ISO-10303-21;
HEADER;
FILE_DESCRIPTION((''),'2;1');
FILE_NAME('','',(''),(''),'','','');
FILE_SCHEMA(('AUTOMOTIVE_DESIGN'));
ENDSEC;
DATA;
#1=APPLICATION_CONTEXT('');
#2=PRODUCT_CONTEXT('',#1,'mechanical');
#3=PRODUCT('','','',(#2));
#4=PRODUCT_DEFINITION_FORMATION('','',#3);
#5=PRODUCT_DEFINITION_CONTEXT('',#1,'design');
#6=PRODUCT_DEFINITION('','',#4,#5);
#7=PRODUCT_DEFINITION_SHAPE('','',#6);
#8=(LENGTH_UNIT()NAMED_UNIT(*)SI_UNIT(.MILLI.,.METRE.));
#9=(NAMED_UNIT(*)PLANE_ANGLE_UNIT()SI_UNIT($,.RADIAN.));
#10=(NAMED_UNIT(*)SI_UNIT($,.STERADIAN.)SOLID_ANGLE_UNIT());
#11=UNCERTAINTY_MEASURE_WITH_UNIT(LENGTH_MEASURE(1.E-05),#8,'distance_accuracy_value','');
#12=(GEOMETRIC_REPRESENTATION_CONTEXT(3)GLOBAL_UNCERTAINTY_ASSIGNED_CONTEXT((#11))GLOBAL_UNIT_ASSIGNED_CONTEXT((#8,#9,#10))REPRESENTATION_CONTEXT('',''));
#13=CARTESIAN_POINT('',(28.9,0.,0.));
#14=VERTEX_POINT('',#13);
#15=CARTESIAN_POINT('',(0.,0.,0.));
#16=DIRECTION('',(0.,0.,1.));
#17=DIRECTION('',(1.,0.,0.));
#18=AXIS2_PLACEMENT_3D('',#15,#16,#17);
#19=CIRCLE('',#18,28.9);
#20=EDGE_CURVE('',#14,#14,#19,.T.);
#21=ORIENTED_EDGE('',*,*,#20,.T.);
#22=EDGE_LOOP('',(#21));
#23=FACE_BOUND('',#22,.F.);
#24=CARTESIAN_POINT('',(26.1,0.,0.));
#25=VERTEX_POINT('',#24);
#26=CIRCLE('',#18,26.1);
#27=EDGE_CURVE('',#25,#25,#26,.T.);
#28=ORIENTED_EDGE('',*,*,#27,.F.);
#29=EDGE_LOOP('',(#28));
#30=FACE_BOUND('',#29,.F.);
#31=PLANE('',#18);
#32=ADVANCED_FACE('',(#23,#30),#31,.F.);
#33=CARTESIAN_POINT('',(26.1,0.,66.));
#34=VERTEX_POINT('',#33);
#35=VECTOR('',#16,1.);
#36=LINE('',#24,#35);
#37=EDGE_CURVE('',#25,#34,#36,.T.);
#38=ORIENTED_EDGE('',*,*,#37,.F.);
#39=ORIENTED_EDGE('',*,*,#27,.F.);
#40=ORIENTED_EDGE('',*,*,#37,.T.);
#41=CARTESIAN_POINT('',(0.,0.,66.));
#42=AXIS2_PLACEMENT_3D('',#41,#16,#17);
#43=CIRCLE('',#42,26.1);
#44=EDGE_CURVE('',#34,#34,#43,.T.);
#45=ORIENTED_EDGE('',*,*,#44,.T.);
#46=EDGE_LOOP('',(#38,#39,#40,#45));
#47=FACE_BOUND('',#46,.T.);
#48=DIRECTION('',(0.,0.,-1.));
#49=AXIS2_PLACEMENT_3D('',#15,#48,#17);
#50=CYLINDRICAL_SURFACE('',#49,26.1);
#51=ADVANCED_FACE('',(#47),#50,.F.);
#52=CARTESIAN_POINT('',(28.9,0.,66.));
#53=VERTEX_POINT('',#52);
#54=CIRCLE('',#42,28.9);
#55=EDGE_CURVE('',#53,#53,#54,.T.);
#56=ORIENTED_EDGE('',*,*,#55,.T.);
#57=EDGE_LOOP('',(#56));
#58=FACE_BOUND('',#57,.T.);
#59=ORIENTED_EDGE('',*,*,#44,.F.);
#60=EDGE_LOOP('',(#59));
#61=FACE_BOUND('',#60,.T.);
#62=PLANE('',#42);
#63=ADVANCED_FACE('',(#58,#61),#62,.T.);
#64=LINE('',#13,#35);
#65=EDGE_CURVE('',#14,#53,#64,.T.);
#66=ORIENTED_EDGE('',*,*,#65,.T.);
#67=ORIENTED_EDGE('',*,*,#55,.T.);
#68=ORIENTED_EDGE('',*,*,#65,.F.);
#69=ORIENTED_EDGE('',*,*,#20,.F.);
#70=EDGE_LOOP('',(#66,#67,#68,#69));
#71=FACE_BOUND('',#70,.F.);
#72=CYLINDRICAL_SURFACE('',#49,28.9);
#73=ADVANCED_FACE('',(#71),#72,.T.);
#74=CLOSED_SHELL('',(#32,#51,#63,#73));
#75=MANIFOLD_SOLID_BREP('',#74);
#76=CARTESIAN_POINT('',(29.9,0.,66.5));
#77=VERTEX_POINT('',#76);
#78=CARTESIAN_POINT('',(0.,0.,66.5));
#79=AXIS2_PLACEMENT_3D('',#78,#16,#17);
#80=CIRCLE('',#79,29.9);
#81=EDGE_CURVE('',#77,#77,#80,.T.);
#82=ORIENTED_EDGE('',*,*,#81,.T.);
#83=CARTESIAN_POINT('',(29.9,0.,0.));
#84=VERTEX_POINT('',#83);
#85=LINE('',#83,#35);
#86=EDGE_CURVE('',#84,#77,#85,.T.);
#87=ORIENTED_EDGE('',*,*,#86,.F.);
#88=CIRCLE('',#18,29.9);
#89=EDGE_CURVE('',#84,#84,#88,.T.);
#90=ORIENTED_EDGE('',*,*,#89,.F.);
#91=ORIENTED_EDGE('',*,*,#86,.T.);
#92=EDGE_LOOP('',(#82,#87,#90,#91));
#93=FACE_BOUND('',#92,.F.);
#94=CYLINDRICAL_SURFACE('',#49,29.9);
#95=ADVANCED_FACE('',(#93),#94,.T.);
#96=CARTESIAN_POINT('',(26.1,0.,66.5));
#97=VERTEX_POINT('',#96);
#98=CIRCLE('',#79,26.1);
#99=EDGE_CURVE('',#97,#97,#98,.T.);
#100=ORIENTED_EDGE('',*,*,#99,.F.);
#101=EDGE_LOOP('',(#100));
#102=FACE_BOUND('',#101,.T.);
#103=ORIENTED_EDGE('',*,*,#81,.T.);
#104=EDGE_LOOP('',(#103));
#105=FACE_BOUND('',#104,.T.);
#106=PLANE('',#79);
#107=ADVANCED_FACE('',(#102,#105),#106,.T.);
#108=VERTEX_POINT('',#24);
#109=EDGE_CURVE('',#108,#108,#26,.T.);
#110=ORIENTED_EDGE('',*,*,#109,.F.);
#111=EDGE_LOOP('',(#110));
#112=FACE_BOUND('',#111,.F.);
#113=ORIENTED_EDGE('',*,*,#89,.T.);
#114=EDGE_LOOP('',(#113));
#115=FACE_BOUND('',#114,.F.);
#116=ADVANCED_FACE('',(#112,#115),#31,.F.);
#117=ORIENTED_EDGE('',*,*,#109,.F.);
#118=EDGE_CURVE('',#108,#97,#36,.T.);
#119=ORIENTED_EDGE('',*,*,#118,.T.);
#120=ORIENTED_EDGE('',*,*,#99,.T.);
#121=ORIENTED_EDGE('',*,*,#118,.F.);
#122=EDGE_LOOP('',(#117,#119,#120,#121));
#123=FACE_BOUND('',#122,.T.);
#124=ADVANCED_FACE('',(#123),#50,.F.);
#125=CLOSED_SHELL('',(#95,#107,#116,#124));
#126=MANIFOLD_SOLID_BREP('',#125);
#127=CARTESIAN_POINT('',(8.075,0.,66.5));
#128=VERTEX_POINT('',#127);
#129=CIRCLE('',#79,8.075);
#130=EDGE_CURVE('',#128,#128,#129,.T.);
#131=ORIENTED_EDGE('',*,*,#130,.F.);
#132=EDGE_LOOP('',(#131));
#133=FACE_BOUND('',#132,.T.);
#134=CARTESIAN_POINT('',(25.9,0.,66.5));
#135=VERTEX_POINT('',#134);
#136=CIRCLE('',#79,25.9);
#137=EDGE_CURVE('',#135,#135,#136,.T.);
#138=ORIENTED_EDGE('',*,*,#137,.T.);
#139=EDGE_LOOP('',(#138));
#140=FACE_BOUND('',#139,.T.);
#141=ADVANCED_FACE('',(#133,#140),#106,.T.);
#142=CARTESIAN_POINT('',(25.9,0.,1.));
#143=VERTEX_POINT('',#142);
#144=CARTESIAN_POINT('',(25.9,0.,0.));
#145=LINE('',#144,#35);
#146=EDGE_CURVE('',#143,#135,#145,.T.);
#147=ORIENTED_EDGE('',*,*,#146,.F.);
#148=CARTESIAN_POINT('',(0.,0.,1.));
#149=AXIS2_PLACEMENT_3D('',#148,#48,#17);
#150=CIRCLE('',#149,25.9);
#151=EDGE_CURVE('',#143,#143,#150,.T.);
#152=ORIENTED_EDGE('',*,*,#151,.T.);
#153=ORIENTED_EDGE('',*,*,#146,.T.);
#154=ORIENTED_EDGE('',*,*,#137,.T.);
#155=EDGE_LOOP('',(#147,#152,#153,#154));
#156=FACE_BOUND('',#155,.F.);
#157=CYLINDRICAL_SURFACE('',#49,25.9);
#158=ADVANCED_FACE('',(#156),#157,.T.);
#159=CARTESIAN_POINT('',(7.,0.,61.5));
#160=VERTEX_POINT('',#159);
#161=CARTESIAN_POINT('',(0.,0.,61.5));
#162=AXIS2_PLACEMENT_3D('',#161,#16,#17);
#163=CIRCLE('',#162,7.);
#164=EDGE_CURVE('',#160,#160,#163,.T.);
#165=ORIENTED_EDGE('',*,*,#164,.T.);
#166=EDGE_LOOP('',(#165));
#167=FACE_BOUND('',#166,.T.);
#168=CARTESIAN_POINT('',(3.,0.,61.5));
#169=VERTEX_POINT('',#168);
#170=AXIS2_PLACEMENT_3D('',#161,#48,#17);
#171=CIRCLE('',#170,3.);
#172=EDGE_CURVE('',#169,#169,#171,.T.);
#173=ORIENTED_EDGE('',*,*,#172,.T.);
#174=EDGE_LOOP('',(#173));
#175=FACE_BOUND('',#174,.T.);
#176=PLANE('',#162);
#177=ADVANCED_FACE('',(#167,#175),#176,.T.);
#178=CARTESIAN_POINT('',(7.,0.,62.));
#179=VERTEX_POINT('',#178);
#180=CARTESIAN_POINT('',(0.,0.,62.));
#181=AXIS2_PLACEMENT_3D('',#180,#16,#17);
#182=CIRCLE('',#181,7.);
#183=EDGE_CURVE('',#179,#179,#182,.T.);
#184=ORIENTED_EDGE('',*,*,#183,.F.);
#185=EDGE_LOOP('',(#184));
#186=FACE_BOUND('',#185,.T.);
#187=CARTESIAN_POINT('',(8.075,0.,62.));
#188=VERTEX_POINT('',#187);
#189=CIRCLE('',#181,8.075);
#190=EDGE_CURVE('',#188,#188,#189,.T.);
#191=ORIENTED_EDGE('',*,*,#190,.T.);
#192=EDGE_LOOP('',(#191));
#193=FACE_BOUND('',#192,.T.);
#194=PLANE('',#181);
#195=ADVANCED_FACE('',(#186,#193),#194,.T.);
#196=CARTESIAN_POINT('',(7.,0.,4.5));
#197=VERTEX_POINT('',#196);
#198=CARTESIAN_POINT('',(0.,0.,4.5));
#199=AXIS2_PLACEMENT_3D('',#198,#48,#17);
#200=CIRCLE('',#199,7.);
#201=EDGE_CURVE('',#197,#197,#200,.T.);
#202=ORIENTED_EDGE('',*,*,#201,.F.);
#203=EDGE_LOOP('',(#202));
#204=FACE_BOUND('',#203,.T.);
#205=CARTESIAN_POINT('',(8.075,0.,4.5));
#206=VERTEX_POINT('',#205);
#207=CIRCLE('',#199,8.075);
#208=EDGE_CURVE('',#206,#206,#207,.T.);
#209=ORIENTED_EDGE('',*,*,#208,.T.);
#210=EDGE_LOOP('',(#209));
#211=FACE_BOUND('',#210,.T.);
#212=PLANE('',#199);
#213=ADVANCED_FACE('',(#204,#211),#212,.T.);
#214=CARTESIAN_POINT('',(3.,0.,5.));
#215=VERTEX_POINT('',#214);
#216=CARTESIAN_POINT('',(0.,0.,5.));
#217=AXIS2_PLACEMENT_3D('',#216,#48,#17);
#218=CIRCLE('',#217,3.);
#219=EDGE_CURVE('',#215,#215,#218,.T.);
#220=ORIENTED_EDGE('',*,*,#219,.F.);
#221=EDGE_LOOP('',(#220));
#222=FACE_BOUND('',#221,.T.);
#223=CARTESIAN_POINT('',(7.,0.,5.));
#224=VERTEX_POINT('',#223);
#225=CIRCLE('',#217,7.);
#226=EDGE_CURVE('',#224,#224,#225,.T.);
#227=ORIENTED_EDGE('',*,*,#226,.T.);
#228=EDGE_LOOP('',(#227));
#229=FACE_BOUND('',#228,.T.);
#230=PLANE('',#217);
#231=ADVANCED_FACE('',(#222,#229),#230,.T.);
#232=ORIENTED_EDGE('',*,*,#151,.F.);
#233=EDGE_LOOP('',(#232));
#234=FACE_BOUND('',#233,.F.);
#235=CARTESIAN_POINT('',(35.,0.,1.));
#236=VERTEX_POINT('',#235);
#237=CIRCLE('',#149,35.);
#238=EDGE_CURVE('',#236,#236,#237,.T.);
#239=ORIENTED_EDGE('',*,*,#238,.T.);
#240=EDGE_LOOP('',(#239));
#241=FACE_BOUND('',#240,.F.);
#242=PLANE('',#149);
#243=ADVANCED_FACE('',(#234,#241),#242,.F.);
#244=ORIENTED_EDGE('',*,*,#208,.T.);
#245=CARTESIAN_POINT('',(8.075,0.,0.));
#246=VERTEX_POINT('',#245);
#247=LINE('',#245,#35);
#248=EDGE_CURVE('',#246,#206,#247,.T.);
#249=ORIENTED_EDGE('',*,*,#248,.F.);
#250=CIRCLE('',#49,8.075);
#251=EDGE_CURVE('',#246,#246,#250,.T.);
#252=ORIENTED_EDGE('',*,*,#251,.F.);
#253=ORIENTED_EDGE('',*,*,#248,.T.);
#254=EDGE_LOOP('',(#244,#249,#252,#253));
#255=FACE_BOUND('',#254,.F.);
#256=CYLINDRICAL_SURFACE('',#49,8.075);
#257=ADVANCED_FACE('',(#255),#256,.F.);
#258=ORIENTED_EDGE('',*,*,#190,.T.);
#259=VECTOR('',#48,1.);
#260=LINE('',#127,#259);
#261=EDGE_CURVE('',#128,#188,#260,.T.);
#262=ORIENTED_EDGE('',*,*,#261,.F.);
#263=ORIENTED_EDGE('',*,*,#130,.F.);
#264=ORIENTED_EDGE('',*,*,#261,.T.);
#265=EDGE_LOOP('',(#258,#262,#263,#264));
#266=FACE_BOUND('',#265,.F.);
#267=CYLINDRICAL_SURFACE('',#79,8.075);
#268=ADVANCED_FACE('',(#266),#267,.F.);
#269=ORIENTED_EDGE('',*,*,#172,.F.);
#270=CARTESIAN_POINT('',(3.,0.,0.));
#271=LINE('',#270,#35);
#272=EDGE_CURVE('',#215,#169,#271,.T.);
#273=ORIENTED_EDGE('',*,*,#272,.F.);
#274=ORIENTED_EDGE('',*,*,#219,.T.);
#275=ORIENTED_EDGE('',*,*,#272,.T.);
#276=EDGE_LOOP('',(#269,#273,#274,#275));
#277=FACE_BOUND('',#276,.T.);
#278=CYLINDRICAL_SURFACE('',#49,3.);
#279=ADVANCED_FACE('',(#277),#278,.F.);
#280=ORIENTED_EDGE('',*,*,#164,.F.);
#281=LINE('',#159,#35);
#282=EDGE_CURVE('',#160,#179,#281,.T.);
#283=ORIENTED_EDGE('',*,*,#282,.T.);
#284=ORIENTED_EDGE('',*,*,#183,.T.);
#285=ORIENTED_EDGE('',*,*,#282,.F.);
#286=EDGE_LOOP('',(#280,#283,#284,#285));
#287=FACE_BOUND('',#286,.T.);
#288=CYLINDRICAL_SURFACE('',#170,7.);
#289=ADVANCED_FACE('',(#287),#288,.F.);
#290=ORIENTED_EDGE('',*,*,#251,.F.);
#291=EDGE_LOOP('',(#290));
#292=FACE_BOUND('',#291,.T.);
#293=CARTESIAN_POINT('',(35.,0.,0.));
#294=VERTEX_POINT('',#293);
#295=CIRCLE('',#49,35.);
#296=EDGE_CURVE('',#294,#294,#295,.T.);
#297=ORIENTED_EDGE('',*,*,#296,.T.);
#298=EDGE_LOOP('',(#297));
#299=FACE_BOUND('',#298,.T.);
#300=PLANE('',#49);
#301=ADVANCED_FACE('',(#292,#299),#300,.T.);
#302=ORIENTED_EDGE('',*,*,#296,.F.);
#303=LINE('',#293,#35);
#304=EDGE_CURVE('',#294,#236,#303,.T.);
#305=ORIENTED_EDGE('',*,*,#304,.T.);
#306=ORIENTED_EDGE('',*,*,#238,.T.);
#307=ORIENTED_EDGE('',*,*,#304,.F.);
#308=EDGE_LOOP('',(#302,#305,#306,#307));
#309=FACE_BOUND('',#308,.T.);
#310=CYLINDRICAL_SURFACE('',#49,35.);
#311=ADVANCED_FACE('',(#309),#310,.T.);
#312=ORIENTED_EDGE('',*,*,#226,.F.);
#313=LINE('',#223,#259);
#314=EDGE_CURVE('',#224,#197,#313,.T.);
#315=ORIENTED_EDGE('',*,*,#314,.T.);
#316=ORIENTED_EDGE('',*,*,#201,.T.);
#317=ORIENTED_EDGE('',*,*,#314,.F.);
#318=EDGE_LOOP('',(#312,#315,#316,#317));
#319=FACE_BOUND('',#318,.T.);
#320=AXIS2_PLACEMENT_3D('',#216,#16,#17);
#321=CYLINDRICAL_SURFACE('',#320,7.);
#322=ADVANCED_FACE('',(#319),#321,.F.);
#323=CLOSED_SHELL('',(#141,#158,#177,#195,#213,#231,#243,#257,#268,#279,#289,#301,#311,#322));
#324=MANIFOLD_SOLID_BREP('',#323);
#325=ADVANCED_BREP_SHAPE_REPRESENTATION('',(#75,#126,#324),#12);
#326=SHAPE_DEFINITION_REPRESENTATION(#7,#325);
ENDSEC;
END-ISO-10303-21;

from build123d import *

# Parameters (mm, degrees)
F0_R      = 25.9
F0_R_2    = 3
F1_DEPTH  = 66.5
F2_R      = 35
F2_R_2    = 3
F3_DEPTH  = 1
F4_R      = 8.075
F5_DEPTH  = 5
F6_R      = 8.075
F7_DEPTH  = 5
F8_R      = 8.075
F8_R_2    = 7
F9_DEPTH  = 0.5
F10_R     = 8.075
F10_R_2   = 7
F11_DEPTH = 0.5
F12_R     = 29.9
F12_R_2   = 26.1
F13_DEPTH = 66.5
F14_R     = 28.9
F14_R_2   = 26.1
F15_DEPTH = 66


with BuildPart() as f1:
    # F0 (on Top) → F1 (new body)
    with BuildSketch(Plane.XY):
        Circle(F0_R)
        Circle(F0_R_2, mode=Mode.SUBTRACT)
    extrude(amount=F1_DEPTH)

    # F2 (on face) → F3 (join)
    with BuildSketch(Plane(origin=(0, 0, 0), x_dir=(1, 0, 0), z_dir=(0, 0, -1))):
        Circle(F2_R)
        Circle(F2_R_2, mode=Mode.SUBTRACT)
    extrude(amount=-F3_DEPTH)

    # F4 (on face) → F5 (cut)
    with BuildSketch(Plane(origin=(0, 0, 0), x_dir=(1, 0, 0), z_dir=(0, 0, -1))):
        Circle(F4_R)
    extrude(amount=-F5_DEPTH, mode=Mode.SUBTRACT)

    # F6 (on face) → F7 (cut)
    with BuildSketch(Plane.XY.offset(66.5)):
        Circle(F6_R)
    extrude(amount=-F7_DEPTH, mode=Mode.SUBTRACT)

    # F8 (on face) → F9 (join)
    with BuildSketch(Plane.XY.offset(61.5)):
        Circle(F8_R)
        Circle(F8_R_2, mode=Mode.SUBTRACT)
    extrude(amount=F9_DEPTH)

    # F10 (on face) → F11 (join)
    with BuildSketch(Plane(origin=(0, 0, 5), x_dir=(1, 0, 0), z_dir=(0, 0, -1))):
        Circle(F10_R)
        Circle(F10_R_2, mode=Mode.SUBTRACT)
    extrude(amount=F11_DEPTH)


with BuildPart() as f13:
    # F12 (on Top) → F13 (new body)
    with BuildSketch(Plane.XY):
        Circle(F12_R)
        Circle(F12_R_2, mode=Mode.SUBTRACT)
    extrude(amount=F13_DEPTH)


with BuildPart() as f15:
    # F14 (on Top) → F15 (new body)
    with BuildSketch(Plane.XY):
        Circle(F14_R)
        Circle(F14_R_2, mode=Mode.SUBTRACT)
    extrude(amount=F15_DEPTH)


solid = Compound([f1.part, f13.part, f15.part])
